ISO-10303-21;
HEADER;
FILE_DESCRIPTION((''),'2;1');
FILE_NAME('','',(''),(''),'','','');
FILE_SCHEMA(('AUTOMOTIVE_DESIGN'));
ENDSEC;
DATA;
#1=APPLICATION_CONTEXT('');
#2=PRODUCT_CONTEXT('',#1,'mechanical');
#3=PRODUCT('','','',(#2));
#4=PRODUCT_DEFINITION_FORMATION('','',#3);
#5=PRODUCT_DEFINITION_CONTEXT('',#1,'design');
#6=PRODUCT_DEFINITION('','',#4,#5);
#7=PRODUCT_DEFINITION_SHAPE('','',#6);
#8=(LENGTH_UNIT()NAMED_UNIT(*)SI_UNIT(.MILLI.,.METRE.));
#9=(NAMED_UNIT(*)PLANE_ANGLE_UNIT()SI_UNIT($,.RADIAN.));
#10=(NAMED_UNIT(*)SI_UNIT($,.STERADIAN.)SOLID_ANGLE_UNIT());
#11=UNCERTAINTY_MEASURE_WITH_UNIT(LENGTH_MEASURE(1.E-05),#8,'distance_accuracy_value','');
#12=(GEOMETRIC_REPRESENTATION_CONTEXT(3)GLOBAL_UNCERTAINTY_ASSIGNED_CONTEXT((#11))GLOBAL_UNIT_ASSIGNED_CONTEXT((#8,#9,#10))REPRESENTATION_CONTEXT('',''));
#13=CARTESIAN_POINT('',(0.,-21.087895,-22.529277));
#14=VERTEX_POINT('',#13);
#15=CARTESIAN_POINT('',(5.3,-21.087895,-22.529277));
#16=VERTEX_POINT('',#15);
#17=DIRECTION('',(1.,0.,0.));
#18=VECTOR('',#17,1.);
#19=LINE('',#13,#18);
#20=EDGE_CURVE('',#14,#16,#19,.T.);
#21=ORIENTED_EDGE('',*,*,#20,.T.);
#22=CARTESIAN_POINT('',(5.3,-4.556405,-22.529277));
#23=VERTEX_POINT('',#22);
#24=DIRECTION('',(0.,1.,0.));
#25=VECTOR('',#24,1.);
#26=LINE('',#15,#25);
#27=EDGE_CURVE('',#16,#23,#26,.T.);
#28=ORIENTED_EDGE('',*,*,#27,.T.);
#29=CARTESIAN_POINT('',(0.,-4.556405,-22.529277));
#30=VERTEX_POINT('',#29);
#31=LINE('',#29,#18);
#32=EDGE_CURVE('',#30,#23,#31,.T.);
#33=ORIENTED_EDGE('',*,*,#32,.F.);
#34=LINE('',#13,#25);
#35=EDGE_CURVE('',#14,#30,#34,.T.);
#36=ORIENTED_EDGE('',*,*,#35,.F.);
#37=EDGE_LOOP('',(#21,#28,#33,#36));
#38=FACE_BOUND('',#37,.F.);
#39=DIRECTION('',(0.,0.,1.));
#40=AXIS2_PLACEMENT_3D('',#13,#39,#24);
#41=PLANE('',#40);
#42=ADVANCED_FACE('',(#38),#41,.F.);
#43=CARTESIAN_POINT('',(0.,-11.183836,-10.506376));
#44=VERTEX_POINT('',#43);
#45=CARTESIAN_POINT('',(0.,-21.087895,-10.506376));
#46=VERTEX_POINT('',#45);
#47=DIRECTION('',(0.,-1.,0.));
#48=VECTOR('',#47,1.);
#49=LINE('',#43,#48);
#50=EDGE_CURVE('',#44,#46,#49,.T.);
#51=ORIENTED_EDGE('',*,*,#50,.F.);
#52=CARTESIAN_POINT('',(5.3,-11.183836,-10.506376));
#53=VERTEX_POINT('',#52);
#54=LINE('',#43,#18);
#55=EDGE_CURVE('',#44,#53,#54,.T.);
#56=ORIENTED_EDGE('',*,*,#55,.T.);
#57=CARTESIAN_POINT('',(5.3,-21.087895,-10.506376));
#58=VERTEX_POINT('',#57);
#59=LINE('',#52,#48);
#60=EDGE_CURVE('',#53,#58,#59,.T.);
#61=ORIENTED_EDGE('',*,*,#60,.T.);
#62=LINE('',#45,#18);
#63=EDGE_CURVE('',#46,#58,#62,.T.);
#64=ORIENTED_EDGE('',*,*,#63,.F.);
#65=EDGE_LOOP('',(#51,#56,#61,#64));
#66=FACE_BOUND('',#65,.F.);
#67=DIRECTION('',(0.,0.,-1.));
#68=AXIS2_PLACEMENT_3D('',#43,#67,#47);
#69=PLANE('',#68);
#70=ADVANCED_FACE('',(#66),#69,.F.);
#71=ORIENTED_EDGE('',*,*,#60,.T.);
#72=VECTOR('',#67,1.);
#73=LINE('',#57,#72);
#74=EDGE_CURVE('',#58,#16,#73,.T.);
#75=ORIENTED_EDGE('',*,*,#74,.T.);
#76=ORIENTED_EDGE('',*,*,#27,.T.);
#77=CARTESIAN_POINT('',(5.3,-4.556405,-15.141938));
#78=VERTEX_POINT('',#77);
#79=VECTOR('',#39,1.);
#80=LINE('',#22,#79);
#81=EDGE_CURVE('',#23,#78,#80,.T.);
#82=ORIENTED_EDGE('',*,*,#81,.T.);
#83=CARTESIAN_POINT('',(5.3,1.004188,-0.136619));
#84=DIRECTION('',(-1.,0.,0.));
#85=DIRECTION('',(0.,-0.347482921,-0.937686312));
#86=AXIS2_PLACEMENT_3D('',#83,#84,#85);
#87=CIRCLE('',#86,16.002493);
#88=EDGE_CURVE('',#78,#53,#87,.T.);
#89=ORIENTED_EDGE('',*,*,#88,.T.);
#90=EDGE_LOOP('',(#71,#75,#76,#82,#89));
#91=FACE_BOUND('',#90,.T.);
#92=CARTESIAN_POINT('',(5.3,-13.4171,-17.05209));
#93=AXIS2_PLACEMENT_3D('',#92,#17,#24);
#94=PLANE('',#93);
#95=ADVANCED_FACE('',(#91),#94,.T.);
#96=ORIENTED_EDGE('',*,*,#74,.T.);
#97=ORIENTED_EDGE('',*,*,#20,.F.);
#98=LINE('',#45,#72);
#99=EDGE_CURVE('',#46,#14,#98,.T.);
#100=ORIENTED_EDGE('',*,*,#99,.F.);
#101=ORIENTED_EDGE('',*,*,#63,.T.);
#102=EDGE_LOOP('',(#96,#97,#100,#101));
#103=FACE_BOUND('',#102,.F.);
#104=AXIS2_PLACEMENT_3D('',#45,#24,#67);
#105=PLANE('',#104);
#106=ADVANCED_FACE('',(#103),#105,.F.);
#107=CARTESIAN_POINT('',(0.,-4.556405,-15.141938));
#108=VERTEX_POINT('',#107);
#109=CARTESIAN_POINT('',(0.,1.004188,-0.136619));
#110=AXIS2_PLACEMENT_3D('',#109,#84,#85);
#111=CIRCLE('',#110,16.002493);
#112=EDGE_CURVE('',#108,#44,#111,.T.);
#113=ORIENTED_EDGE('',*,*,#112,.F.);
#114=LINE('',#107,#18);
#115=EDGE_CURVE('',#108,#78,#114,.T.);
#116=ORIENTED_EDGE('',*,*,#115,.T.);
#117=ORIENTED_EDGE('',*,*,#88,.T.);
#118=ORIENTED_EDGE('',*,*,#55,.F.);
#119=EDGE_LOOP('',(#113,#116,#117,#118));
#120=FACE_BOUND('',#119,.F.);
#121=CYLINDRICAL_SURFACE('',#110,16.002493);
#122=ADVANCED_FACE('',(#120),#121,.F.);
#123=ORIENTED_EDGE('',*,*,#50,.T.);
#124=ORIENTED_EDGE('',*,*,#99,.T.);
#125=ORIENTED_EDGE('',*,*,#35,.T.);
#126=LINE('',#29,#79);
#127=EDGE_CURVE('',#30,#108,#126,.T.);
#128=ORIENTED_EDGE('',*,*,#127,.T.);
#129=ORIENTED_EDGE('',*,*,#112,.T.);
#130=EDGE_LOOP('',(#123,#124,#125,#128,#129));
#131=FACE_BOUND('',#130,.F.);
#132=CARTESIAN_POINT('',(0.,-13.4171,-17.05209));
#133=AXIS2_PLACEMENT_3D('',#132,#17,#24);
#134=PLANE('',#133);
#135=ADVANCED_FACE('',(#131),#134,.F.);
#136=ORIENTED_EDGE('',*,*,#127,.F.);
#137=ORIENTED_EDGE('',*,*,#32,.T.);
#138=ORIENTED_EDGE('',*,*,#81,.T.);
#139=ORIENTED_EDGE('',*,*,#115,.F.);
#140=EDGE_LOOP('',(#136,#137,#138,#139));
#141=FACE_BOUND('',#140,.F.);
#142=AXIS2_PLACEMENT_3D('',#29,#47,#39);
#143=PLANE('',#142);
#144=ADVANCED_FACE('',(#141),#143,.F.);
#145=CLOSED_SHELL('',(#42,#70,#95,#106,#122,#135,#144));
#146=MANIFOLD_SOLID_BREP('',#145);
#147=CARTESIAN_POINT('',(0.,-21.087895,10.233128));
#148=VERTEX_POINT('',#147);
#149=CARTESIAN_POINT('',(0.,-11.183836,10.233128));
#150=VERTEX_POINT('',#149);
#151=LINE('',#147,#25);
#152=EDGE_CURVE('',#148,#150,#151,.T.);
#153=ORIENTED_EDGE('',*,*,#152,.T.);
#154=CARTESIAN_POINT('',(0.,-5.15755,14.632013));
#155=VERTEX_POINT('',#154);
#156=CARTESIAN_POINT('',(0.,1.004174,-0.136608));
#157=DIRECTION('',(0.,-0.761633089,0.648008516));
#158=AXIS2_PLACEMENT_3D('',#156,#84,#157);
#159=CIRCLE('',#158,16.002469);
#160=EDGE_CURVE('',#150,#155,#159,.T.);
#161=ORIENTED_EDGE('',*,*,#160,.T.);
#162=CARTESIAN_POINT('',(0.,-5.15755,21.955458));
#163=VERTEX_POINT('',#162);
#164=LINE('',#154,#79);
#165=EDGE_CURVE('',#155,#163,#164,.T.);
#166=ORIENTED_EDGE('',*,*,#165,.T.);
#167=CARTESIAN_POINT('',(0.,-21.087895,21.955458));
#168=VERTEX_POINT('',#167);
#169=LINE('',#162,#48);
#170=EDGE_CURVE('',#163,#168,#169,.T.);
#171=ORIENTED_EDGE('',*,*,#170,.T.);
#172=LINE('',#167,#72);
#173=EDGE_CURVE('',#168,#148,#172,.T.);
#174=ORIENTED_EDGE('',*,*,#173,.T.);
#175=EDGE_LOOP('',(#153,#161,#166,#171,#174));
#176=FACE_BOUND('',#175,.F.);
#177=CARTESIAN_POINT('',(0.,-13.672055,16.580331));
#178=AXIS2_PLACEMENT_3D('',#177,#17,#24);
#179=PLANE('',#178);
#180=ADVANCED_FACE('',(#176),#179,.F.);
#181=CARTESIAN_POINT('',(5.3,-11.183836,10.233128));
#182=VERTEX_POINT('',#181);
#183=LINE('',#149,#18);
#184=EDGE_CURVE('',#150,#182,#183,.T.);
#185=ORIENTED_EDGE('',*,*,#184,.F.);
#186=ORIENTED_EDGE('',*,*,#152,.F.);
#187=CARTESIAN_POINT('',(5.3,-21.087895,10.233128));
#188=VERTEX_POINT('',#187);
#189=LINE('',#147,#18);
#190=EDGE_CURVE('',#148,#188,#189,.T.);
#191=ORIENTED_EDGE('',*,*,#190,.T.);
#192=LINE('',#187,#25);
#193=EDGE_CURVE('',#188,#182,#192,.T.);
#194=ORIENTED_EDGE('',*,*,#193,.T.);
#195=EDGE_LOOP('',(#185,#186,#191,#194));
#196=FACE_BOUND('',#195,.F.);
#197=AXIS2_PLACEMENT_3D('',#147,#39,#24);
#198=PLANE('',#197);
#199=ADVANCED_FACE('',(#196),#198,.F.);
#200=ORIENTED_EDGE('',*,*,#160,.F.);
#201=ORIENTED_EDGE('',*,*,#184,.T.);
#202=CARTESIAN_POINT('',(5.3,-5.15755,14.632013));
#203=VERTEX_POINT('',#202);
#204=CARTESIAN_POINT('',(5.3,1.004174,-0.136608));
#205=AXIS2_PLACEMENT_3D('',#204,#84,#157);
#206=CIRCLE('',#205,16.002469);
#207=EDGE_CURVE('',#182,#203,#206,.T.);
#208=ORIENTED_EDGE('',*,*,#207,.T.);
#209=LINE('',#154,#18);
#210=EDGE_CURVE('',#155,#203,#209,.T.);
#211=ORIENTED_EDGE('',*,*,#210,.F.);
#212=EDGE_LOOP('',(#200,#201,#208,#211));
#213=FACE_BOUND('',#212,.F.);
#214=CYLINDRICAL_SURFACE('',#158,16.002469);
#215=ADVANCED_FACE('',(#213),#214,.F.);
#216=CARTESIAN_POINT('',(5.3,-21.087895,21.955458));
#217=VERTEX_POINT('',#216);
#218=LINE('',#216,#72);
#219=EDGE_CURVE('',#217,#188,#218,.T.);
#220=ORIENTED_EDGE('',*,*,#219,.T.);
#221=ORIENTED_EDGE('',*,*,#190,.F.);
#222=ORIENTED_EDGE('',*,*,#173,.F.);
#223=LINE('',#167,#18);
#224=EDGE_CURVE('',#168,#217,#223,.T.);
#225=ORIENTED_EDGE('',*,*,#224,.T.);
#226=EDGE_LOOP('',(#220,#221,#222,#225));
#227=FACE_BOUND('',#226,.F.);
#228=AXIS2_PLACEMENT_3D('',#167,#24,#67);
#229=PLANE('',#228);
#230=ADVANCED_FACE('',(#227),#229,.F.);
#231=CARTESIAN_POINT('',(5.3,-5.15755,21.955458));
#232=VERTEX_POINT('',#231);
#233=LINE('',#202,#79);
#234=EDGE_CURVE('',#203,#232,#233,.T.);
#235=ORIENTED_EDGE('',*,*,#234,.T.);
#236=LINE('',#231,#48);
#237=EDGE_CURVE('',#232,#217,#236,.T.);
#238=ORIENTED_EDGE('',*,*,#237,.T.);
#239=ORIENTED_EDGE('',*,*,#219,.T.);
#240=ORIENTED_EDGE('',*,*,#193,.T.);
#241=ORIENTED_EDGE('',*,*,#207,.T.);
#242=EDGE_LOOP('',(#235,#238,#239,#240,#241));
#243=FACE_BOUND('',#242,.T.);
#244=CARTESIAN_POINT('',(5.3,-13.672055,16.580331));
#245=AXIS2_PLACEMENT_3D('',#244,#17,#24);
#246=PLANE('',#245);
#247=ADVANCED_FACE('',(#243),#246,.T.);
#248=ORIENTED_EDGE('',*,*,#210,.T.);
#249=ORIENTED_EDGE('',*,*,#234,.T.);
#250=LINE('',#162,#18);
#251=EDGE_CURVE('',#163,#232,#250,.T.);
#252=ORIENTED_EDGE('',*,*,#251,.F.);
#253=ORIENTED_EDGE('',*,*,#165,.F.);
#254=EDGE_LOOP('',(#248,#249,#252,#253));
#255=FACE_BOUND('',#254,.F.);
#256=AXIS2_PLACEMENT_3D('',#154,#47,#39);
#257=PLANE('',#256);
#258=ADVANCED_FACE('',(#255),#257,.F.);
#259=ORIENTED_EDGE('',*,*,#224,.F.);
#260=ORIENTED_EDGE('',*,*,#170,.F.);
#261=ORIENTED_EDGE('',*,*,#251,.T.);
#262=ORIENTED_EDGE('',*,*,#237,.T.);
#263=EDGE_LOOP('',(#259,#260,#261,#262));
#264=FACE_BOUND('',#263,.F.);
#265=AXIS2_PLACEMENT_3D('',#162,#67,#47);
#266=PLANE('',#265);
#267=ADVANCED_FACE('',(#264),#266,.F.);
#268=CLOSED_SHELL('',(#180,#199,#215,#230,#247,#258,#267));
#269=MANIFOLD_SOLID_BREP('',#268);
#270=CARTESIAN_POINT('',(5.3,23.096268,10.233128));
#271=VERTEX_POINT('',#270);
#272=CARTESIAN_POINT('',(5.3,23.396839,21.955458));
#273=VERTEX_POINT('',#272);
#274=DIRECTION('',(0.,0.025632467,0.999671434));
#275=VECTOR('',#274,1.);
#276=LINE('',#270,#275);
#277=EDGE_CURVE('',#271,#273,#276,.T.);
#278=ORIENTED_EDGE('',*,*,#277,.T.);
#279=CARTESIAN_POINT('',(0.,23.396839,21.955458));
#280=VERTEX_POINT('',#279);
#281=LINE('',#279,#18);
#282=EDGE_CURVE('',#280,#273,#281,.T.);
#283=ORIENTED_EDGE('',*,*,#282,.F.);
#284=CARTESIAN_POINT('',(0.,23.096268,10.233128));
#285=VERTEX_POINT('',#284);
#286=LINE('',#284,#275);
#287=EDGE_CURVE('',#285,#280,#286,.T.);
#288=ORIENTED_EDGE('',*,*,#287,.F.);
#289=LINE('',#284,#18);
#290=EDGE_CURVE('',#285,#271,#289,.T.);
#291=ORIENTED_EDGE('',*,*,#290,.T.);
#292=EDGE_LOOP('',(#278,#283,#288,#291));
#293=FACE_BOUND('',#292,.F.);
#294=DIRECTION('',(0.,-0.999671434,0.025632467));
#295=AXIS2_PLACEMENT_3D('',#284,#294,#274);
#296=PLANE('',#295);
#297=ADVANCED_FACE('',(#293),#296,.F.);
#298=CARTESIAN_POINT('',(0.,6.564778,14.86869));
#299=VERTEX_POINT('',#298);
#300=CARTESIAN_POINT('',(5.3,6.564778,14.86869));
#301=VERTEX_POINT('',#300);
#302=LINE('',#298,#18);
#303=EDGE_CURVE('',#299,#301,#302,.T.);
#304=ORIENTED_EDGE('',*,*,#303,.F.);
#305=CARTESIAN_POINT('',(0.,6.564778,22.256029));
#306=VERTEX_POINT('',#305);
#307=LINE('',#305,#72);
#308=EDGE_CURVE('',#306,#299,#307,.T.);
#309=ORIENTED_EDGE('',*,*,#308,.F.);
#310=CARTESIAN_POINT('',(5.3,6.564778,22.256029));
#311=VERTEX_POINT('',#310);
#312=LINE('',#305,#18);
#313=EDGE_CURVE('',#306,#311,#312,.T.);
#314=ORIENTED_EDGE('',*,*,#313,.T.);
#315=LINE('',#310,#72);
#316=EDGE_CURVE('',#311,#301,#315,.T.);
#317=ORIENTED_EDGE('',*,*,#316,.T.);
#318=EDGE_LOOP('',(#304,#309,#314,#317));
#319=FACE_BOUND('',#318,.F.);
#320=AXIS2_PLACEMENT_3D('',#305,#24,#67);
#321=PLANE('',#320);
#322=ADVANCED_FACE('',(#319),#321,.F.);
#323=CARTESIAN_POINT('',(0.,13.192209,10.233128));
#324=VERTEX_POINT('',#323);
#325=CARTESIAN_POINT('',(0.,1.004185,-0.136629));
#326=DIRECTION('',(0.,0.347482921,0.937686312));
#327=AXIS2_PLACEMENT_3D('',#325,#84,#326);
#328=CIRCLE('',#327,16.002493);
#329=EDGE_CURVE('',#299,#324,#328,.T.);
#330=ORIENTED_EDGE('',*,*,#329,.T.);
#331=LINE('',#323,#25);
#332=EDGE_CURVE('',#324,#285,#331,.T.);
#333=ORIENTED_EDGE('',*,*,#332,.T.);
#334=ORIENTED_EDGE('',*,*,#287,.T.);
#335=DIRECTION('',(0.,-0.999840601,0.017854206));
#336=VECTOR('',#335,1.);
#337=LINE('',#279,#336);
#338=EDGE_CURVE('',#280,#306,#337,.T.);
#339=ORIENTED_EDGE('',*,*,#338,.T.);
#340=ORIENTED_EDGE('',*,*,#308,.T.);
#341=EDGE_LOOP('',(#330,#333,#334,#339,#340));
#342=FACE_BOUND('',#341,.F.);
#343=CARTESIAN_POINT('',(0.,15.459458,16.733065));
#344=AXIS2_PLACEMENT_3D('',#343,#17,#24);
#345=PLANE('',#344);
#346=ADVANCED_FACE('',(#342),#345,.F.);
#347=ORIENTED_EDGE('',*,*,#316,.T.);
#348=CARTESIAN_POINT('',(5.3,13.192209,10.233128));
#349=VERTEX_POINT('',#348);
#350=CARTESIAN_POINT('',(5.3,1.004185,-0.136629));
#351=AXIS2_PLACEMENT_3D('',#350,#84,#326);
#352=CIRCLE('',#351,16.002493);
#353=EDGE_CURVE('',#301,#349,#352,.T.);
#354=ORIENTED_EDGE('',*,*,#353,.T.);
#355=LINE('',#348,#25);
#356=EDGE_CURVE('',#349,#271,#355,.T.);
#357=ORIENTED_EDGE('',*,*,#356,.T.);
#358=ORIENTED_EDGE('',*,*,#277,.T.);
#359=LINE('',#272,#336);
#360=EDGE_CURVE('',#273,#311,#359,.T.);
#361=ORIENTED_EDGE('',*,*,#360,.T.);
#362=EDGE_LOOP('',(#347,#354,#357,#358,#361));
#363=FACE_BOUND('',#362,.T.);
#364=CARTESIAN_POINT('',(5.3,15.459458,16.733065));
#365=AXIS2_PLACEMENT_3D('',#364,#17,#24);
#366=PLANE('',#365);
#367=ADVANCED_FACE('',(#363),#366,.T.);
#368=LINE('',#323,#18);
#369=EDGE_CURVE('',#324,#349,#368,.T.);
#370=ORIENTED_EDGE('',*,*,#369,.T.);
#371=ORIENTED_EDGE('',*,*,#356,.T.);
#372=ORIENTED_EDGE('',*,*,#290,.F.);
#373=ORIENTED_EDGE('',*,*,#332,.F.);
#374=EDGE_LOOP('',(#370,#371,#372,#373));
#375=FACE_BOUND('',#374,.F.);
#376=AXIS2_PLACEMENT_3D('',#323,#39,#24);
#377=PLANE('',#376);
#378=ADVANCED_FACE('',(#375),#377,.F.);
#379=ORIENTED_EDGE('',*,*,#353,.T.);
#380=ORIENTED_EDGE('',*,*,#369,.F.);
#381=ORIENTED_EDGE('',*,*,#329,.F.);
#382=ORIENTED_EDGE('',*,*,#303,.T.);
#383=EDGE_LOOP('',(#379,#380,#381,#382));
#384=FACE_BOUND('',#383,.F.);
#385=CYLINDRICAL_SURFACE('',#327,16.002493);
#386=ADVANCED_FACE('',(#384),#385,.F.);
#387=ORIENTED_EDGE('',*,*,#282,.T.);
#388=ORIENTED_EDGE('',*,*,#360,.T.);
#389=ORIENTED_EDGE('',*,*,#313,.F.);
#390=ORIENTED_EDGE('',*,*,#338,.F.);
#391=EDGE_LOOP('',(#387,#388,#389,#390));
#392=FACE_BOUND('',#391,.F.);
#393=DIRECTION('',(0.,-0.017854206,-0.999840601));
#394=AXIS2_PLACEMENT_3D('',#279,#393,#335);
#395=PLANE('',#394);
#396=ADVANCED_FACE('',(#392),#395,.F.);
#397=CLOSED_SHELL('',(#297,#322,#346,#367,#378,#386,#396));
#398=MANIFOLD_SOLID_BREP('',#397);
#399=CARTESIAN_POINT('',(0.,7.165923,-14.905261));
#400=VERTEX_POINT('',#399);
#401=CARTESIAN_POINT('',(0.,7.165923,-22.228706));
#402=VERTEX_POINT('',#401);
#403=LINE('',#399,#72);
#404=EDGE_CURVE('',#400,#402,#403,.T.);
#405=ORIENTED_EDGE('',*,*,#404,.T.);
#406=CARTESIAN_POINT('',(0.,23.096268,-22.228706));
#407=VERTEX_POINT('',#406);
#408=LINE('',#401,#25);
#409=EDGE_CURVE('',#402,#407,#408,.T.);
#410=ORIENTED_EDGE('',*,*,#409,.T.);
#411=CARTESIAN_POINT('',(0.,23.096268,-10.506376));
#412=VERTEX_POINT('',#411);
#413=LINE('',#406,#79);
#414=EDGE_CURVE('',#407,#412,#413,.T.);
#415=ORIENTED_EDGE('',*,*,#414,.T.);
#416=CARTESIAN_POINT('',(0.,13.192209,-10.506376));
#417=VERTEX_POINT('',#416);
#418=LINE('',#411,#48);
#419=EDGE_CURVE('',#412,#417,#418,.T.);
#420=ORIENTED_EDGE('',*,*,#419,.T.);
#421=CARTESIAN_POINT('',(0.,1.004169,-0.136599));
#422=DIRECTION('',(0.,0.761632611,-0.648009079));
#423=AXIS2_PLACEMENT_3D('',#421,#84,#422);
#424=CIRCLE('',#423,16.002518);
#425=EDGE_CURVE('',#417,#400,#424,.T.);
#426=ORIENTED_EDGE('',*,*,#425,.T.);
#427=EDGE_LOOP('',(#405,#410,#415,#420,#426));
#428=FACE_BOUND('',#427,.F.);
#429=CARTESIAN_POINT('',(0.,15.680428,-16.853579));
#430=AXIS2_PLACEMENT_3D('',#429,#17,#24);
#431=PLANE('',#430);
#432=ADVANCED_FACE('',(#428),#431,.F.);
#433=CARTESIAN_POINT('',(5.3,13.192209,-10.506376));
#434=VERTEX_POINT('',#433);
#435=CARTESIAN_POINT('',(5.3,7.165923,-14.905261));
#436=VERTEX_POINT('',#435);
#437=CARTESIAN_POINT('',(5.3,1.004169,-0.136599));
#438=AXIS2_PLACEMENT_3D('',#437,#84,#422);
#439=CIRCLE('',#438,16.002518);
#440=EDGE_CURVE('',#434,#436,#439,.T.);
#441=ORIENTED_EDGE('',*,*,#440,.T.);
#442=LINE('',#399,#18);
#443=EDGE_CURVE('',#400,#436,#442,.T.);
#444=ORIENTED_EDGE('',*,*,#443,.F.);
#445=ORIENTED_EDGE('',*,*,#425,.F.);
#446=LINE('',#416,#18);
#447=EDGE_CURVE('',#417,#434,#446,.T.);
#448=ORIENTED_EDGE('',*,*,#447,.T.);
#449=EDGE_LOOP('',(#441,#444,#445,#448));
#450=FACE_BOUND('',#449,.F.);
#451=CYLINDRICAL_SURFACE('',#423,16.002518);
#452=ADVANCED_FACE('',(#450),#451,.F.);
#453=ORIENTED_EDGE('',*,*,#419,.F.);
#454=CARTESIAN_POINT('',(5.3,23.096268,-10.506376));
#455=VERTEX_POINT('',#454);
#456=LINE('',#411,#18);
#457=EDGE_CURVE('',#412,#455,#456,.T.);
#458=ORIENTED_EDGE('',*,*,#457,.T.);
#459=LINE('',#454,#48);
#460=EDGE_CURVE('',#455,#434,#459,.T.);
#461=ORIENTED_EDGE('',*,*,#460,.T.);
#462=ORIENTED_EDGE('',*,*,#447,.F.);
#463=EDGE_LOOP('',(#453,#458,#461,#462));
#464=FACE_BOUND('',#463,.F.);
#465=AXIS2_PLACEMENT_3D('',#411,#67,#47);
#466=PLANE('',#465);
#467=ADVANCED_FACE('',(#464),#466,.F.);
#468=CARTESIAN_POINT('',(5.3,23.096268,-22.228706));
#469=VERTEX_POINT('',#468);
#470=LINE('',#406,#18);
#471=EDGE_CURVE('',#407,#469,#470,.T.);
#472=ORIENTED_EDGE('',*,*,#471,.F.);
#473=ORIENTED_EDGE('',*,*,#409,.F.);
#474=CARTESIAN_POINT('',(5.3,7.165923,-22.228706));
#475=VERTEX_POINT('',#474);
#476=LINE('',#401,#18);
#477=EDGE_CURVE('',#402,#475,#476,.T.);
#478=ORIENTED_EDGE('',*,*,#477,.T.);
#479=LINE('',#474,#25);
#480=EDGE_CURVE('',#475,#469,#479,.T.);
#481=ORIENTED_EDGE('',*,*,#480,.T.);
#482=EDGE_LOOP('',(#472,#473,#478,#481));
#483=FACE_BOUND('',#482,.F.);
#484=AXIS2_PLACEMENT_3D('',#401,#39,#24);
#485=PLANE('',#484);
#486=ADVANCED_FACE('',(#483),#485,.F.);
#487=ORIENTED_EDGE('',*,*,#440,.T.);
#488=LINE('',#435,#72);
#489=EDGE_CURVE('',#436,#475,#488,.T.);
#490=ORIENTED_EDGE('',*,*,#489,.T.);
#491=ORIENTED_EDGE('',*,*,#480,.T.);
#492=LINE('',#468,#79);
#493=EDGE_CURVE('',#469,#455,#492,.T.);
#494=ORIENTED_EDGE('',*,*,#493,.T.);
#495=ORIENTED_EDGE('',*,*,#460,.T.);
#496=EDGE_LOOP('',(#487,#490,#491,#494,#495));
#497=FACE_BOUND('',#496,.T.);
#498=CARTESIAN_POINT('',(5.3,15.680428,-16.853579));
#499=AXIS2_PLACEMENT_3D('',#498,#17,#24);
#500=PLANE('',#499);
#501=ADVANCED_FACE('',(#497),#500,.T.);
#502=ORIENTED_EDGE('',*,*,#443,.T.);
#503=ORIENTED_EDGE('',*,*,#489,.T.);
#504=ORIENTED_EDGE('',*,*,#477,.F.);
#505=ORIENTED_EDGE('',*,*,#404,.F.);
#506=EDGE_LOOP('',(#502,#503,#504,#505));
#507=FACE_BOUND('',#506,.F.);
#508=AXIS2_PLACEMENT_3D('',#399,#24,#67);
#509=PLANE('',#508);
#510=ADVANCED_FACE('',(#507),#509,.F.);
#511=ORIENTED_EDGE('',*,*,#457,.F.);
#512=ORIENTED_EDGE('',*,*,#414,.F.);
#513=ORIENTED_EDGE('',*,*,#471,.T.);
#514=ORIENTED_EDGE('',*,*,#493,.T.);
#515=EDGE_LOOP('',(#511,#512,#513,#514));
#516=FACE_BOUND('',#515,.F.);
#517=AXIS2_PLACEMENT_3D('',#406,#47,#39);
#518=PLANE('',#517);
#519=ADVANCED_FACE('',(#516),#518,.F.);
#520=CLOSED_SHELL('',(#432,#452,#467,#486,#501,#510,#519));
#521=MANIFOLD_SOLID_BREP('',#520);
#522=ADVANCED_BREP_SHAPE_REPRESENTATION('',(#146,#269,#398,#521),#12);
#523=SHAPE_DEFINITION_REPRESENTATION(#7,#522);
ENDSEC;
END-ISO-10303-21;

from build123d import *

# Parameters (mm, degrees)
F1_DEPTH = 5.3


with BuildPart() as f1:
    # F0 (on Right) → F1 (new body)
    with BuildSketch(Plane.YZ):
        with BuildLine():
            ThreePointArc((6.564778, 14.86869), (10.176178, 12.976507), (13.192209, 10.233128))
            Line((13.192209, 10.233128), (23.096268, 10.233128))
            Line((23.096268, 10.233128), (23.396839, 21.955458))
            Line((23.396839, 21.955458), (6.564778, 22.256029))
            Line((6.564778, 22.256029), (6.564778, 14.86869))
        make_face()
        with BuildLine():
            ThreePointArc((-11.183836, 10.233128), (-8.430641, 12.788688), (-5.15755, 14.632013))
            Line((-5.15755, 14.632013), (-5.15755, 21.955458))
            Line((-5.15755, 21.955458), (-21.087895, 21.955458))
            Line((-21.087895, 21.955458), (-21.087895, 10.233128))
            Line((-21.087895, 10.233128), (-11.183836, 10.233128))
        make_face()
        with BuildLine():
            Line((23.096268, -10.506376), (13.192209, -10.506376))
            ThreePointArc((13.192209, -10.506376), (10.439013, -13.061935), (7.165923, -14.905261))
            Line((7.165923, -14.905261), (7.165923, -22.228706))
            Line((7.165923, -22.228706), (23.096268, -22.228706))
            Line((23.096268, -22.228706), (23.096268, -10.506376))
        make_face()
        with BuildLine():
            Line((-4.556405, -22.529277), (-4.556405, -15.141938))
            ThreePointArc((-4.556405, -15.141938), (-8.167805, -13.249755), (-11.183836, -10.506376))
            Line((-11.183836, -10.506376), (-21.087895, -10.506376))
            Line((-21.087895, -10.506376), (-21.087895, -22.529277))
            Line((-21.087895, -22.529277), (-4.556405, -22.529277))
        make_face()
    extrude(amount=F1_DEPTH)


solid = f1.part
